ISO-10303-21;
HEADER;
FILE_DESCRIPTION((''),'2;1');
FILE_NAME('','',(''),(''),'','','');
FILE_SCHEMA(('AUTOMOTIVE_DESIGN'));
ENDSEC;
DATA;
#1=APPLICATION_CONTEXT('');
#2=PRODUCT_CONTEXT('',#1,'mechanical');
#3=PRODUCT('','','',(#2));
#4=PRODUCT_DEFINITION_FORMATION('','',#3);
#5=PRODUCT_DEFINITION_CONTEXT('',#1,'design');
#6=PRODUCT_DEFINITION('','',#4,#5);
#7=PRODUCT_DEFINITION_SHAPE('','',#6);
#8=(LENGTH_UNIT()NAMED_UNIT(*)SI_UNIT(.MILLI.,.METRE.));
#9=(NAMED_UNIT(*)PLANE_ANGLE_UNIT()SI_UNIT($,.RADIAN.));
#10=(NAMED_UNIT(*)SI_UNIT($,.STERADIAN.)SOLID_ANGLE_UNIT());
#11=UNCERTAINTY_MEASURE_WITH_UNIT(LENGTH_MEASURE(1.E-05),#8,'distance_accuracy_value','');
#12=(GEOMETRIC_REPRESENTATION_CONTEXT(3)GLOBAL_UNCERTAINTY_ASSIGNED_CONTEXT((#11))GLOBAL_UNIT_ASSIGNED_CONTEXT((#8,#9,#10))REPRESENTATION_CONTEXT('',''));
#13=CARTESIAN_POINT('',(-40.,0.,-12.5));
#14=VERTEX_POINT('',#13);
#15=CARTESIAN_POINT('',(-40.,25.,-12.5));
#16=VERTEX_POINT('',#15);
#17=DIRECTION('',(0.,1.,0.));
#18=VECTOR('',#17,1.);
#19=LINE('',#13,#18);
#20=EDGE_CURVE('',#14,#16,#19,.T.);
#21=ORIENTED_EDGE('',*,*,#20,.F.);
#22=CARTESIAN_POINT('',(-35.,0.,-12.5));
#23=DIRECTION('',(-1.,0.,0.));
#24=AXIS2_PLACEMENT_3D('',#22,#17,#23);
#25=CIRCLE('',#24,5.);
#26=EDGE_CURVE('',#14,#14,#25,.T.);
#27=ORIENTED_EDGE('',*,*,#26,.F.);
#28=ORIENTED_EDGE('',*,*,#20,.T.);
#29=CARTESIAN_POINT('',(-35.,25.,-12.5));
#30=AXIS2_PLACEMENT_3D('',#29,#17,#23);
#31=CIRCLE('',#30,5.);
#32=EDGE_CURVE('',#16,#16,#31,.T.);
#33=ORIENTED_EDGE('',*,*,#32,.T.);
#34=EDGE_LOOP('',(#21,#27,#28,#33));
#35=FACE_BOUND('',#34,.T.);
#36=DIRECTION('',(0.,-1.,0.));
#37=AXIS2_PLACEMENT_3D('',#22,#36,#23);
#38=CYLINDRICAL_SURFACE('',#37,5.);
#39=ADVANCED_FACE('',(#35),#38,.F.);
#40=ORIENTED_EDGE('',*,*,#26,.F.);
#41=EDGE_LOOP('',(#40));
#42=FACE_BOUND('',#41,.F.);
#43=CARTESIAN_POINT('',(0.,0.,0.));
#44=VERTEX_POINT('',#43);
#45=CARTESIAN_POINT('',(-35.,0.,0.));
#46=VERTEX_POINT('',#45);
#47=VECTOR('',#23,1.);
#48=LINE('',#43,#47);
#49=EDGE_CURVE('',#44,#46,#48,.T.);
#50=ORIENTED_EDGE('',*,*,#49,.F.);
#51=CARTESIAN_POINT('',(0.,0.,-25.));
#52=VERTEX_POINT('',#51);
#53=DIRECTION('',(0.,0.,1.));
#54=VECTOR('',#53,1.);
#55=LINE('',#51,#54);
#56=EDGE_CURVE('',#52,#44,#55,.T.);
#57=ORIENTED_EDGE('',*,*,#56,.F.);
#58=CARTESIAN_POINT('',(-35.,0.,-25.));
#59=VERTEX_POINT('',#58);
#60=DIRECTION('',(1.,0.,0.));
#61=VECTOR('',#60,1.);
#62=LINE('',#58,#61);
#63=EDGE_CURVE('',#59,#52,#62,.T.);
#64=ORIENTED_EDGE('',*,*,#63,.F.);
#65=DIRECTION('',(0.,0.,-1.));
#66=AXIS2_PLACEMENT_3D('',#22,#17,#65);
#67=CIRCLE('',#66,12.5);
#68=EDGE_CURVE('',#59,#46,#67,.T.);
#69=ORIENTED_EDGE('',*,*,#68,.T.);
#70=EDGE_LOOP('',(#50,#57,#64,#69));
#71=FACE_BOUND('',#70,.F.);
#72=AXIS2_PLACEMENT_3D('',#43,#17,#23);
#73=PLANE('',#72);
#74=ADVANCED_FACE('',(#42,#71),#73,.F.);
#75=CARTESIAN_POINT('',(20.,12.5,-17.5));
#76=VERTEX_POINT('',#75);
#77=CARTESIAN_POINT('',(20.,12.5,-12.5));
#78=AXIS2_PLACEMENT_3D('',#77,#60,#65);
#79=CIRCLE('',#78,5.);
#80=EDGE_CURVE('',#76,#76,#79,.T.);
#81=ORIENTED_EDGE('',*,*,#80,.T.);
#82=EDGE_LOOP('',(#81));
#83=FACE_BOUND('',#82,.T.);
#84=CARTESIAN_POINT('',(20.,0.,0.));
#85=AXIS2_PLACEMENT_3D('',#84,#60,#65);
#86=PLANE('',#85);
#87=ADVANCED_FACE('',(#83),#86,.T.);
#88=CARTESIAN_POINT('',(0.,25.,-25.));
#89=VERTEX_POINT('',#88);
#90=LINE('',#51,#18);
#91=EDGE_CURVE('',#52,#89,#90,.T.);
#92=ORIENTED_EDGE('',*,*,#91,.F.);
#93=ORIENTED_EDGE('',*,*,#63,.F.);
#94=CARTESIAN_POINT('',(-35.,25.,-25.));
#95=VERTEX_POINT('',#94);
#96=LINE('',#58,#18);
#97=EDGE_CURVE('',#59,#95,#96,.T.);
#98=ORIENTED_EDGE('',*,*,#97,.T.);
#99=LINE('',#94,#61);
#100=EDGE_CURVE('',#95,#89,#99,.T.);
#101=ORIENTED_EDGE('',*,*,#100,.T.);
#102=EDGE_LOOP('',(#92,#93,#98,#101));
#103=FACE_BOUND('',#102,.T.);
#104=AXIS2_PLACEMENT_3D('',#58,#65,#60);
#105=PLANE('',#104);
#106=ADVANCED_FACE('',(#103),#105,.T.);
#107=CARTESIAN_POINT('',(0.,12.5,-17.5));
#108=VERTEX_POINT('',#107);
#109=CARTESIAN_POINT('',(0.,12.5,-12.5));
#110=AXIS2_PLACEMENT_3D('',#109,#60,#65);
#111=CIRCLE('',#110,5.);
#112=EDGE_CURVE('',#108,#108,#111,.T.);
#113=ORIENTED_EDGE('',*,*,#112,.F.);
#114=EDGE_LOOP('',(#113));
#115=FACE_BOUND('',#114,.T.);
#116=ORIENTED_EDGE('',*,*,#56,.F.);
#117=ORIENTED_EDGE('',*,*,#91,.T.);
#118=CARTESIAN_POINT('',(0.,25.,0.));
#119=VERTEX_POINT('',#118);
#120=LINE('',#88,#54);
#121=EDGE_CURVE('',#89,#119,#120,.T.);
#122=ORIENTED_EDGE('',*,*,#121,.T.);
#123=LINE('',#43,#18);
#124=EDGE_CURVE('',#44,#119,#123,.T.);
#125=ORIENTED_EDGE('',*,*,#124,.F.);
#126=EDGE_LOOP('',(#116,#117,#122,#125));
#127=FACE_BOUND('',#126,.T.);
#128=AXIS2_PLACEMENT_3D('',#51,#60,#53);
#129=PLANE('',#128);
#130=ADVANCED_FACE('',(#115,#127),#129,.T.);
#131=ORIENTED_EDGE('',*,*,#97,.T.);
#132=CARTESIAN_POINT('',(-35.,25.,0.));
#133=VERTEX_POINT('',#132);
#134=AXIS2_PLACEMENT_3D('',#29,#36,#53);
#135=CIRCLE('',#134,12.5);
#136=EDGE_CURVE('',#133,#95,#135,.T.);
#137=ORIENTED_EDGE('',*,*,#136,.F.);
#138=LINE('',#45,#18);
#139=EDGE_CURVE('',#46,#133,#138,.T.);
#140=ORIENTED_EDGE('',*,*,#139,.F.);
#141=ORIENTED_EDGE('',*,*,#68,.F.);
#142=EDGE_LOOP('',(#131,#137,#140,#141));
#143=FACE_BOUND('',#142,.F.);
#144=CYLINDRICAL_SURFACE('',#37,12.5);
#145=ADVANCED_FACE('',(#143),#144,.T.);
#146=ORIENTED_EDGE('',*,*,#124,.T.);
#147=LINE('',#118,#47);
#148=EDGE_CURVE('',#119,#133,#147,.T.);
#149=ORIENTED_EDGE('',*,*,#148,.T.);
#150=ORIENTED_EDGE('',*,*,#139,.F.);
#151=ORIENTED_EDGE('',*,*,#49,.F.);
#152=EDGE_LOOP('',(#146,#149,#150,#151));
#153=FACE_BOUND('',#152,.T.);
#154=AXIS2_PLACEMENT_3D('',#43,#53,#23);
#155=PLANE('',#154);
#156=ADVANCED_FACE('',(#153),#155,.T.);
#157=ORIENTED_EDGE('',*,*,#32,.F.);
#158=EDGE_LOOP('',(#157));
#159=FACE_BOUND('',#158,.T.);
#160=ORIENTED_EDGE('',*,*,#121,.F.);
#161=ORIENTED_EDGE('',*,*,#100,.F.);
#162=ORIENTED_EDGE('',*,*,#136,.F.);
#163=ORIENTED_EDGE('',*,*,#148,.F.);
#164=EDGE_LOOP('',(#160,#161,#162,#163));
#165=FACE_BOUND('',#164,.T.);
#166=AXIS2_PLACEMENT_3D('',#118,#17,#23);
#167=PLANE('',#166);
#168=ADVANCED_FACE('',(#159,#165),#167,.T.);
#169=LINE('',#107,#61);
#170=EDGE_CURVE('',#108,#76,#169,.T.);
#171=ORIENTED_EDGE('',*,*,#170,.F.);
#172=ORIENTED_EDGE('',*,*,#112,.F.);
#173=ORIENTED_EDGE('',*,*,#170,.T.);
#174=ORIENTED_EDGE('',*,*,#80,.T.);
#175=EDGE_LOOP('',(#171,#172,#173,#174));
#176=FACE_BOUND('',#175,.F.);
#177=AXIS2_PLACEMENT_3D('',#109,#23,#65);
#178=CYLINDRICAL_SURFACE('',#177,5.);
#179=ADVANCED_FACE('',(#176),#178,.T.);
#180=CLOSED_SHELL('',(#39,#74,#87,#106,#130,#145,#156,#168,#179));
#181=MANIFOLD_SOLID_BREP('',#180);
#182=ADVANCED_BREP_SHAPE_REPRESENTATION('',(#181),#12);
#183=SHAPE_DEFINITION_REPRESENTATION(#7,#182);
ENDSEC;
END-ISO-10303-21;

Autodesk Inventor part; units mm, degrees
ref_plane "YZ Plane" through (0, 0, 0) normal (1, 0, 0) x (0, 1, 0)
ref_plane "XZ Plane" through (0, 0, 0) normal (0, 1, 0) x (-1, 0, 0)
sketch "Boceto1" plane through (0, 0, 0) normal (0, 1, 0) x (-1, 0, 0)
  line L0 (0, 0) -> (35, 0)
  line L1 (47.5, -12.5) -> (47.5, -12.5)
  line L2 (35, -25) -> (0, -25)
  line L3 (0, -25) -> (0, 0)
  line L4 (47.5, -12.5) -> (0, -12.5) construction
  arc A0 (47.5, -12.5) -> (35, 0) centre (35, -12.5) ccw
  arc A1 (35, -25) -> (47.5, -12.5) centre (35, -12.5) ccw
  circle A2 centre (35, -12.5) radius 5
  point P0 (47.5, -25)
  point P1 (47.5, 0)
  dimension "d0" = 25
  dimension "d1" = 47.5
  dimension "d15" = 12.5
  dimension "d16" = 10
ref_plane "Plano de trabajo1" through (0, 0, 0) normal (1, 0, 0) x (0, 0, -1)
extrude "Extrusión3" add sketch "Boceto1" along normal blind 25
sketch "Boceto3" plane through (0, 0, 0) normal (1, 0, 0) x (0, 0, -1)
  circle A0 centre (12.5, 12.5) radius 5
  line L0 (25, 0) -> (25, 25) projected
  line L1 (0, 25) -> (25, 25) projected
  point P0 (0, 0)
  dimension "d19" = 10
  dimension "d20" = 12.5
  dimension "d21" = 12.5
extrude "Extrusión4" add sketch "Boceto3" along normal blind 20
thread "Rosca3" size "M10x1.5" class "6g" standard "ANSI Metric M Profile" full length
thread "Rosca4" size "M10x1.5" class "6H" standard "ANSI Metric M Profile" full length
properties part number "brazos_planetarios1" material "Acetal Resin, Black"
